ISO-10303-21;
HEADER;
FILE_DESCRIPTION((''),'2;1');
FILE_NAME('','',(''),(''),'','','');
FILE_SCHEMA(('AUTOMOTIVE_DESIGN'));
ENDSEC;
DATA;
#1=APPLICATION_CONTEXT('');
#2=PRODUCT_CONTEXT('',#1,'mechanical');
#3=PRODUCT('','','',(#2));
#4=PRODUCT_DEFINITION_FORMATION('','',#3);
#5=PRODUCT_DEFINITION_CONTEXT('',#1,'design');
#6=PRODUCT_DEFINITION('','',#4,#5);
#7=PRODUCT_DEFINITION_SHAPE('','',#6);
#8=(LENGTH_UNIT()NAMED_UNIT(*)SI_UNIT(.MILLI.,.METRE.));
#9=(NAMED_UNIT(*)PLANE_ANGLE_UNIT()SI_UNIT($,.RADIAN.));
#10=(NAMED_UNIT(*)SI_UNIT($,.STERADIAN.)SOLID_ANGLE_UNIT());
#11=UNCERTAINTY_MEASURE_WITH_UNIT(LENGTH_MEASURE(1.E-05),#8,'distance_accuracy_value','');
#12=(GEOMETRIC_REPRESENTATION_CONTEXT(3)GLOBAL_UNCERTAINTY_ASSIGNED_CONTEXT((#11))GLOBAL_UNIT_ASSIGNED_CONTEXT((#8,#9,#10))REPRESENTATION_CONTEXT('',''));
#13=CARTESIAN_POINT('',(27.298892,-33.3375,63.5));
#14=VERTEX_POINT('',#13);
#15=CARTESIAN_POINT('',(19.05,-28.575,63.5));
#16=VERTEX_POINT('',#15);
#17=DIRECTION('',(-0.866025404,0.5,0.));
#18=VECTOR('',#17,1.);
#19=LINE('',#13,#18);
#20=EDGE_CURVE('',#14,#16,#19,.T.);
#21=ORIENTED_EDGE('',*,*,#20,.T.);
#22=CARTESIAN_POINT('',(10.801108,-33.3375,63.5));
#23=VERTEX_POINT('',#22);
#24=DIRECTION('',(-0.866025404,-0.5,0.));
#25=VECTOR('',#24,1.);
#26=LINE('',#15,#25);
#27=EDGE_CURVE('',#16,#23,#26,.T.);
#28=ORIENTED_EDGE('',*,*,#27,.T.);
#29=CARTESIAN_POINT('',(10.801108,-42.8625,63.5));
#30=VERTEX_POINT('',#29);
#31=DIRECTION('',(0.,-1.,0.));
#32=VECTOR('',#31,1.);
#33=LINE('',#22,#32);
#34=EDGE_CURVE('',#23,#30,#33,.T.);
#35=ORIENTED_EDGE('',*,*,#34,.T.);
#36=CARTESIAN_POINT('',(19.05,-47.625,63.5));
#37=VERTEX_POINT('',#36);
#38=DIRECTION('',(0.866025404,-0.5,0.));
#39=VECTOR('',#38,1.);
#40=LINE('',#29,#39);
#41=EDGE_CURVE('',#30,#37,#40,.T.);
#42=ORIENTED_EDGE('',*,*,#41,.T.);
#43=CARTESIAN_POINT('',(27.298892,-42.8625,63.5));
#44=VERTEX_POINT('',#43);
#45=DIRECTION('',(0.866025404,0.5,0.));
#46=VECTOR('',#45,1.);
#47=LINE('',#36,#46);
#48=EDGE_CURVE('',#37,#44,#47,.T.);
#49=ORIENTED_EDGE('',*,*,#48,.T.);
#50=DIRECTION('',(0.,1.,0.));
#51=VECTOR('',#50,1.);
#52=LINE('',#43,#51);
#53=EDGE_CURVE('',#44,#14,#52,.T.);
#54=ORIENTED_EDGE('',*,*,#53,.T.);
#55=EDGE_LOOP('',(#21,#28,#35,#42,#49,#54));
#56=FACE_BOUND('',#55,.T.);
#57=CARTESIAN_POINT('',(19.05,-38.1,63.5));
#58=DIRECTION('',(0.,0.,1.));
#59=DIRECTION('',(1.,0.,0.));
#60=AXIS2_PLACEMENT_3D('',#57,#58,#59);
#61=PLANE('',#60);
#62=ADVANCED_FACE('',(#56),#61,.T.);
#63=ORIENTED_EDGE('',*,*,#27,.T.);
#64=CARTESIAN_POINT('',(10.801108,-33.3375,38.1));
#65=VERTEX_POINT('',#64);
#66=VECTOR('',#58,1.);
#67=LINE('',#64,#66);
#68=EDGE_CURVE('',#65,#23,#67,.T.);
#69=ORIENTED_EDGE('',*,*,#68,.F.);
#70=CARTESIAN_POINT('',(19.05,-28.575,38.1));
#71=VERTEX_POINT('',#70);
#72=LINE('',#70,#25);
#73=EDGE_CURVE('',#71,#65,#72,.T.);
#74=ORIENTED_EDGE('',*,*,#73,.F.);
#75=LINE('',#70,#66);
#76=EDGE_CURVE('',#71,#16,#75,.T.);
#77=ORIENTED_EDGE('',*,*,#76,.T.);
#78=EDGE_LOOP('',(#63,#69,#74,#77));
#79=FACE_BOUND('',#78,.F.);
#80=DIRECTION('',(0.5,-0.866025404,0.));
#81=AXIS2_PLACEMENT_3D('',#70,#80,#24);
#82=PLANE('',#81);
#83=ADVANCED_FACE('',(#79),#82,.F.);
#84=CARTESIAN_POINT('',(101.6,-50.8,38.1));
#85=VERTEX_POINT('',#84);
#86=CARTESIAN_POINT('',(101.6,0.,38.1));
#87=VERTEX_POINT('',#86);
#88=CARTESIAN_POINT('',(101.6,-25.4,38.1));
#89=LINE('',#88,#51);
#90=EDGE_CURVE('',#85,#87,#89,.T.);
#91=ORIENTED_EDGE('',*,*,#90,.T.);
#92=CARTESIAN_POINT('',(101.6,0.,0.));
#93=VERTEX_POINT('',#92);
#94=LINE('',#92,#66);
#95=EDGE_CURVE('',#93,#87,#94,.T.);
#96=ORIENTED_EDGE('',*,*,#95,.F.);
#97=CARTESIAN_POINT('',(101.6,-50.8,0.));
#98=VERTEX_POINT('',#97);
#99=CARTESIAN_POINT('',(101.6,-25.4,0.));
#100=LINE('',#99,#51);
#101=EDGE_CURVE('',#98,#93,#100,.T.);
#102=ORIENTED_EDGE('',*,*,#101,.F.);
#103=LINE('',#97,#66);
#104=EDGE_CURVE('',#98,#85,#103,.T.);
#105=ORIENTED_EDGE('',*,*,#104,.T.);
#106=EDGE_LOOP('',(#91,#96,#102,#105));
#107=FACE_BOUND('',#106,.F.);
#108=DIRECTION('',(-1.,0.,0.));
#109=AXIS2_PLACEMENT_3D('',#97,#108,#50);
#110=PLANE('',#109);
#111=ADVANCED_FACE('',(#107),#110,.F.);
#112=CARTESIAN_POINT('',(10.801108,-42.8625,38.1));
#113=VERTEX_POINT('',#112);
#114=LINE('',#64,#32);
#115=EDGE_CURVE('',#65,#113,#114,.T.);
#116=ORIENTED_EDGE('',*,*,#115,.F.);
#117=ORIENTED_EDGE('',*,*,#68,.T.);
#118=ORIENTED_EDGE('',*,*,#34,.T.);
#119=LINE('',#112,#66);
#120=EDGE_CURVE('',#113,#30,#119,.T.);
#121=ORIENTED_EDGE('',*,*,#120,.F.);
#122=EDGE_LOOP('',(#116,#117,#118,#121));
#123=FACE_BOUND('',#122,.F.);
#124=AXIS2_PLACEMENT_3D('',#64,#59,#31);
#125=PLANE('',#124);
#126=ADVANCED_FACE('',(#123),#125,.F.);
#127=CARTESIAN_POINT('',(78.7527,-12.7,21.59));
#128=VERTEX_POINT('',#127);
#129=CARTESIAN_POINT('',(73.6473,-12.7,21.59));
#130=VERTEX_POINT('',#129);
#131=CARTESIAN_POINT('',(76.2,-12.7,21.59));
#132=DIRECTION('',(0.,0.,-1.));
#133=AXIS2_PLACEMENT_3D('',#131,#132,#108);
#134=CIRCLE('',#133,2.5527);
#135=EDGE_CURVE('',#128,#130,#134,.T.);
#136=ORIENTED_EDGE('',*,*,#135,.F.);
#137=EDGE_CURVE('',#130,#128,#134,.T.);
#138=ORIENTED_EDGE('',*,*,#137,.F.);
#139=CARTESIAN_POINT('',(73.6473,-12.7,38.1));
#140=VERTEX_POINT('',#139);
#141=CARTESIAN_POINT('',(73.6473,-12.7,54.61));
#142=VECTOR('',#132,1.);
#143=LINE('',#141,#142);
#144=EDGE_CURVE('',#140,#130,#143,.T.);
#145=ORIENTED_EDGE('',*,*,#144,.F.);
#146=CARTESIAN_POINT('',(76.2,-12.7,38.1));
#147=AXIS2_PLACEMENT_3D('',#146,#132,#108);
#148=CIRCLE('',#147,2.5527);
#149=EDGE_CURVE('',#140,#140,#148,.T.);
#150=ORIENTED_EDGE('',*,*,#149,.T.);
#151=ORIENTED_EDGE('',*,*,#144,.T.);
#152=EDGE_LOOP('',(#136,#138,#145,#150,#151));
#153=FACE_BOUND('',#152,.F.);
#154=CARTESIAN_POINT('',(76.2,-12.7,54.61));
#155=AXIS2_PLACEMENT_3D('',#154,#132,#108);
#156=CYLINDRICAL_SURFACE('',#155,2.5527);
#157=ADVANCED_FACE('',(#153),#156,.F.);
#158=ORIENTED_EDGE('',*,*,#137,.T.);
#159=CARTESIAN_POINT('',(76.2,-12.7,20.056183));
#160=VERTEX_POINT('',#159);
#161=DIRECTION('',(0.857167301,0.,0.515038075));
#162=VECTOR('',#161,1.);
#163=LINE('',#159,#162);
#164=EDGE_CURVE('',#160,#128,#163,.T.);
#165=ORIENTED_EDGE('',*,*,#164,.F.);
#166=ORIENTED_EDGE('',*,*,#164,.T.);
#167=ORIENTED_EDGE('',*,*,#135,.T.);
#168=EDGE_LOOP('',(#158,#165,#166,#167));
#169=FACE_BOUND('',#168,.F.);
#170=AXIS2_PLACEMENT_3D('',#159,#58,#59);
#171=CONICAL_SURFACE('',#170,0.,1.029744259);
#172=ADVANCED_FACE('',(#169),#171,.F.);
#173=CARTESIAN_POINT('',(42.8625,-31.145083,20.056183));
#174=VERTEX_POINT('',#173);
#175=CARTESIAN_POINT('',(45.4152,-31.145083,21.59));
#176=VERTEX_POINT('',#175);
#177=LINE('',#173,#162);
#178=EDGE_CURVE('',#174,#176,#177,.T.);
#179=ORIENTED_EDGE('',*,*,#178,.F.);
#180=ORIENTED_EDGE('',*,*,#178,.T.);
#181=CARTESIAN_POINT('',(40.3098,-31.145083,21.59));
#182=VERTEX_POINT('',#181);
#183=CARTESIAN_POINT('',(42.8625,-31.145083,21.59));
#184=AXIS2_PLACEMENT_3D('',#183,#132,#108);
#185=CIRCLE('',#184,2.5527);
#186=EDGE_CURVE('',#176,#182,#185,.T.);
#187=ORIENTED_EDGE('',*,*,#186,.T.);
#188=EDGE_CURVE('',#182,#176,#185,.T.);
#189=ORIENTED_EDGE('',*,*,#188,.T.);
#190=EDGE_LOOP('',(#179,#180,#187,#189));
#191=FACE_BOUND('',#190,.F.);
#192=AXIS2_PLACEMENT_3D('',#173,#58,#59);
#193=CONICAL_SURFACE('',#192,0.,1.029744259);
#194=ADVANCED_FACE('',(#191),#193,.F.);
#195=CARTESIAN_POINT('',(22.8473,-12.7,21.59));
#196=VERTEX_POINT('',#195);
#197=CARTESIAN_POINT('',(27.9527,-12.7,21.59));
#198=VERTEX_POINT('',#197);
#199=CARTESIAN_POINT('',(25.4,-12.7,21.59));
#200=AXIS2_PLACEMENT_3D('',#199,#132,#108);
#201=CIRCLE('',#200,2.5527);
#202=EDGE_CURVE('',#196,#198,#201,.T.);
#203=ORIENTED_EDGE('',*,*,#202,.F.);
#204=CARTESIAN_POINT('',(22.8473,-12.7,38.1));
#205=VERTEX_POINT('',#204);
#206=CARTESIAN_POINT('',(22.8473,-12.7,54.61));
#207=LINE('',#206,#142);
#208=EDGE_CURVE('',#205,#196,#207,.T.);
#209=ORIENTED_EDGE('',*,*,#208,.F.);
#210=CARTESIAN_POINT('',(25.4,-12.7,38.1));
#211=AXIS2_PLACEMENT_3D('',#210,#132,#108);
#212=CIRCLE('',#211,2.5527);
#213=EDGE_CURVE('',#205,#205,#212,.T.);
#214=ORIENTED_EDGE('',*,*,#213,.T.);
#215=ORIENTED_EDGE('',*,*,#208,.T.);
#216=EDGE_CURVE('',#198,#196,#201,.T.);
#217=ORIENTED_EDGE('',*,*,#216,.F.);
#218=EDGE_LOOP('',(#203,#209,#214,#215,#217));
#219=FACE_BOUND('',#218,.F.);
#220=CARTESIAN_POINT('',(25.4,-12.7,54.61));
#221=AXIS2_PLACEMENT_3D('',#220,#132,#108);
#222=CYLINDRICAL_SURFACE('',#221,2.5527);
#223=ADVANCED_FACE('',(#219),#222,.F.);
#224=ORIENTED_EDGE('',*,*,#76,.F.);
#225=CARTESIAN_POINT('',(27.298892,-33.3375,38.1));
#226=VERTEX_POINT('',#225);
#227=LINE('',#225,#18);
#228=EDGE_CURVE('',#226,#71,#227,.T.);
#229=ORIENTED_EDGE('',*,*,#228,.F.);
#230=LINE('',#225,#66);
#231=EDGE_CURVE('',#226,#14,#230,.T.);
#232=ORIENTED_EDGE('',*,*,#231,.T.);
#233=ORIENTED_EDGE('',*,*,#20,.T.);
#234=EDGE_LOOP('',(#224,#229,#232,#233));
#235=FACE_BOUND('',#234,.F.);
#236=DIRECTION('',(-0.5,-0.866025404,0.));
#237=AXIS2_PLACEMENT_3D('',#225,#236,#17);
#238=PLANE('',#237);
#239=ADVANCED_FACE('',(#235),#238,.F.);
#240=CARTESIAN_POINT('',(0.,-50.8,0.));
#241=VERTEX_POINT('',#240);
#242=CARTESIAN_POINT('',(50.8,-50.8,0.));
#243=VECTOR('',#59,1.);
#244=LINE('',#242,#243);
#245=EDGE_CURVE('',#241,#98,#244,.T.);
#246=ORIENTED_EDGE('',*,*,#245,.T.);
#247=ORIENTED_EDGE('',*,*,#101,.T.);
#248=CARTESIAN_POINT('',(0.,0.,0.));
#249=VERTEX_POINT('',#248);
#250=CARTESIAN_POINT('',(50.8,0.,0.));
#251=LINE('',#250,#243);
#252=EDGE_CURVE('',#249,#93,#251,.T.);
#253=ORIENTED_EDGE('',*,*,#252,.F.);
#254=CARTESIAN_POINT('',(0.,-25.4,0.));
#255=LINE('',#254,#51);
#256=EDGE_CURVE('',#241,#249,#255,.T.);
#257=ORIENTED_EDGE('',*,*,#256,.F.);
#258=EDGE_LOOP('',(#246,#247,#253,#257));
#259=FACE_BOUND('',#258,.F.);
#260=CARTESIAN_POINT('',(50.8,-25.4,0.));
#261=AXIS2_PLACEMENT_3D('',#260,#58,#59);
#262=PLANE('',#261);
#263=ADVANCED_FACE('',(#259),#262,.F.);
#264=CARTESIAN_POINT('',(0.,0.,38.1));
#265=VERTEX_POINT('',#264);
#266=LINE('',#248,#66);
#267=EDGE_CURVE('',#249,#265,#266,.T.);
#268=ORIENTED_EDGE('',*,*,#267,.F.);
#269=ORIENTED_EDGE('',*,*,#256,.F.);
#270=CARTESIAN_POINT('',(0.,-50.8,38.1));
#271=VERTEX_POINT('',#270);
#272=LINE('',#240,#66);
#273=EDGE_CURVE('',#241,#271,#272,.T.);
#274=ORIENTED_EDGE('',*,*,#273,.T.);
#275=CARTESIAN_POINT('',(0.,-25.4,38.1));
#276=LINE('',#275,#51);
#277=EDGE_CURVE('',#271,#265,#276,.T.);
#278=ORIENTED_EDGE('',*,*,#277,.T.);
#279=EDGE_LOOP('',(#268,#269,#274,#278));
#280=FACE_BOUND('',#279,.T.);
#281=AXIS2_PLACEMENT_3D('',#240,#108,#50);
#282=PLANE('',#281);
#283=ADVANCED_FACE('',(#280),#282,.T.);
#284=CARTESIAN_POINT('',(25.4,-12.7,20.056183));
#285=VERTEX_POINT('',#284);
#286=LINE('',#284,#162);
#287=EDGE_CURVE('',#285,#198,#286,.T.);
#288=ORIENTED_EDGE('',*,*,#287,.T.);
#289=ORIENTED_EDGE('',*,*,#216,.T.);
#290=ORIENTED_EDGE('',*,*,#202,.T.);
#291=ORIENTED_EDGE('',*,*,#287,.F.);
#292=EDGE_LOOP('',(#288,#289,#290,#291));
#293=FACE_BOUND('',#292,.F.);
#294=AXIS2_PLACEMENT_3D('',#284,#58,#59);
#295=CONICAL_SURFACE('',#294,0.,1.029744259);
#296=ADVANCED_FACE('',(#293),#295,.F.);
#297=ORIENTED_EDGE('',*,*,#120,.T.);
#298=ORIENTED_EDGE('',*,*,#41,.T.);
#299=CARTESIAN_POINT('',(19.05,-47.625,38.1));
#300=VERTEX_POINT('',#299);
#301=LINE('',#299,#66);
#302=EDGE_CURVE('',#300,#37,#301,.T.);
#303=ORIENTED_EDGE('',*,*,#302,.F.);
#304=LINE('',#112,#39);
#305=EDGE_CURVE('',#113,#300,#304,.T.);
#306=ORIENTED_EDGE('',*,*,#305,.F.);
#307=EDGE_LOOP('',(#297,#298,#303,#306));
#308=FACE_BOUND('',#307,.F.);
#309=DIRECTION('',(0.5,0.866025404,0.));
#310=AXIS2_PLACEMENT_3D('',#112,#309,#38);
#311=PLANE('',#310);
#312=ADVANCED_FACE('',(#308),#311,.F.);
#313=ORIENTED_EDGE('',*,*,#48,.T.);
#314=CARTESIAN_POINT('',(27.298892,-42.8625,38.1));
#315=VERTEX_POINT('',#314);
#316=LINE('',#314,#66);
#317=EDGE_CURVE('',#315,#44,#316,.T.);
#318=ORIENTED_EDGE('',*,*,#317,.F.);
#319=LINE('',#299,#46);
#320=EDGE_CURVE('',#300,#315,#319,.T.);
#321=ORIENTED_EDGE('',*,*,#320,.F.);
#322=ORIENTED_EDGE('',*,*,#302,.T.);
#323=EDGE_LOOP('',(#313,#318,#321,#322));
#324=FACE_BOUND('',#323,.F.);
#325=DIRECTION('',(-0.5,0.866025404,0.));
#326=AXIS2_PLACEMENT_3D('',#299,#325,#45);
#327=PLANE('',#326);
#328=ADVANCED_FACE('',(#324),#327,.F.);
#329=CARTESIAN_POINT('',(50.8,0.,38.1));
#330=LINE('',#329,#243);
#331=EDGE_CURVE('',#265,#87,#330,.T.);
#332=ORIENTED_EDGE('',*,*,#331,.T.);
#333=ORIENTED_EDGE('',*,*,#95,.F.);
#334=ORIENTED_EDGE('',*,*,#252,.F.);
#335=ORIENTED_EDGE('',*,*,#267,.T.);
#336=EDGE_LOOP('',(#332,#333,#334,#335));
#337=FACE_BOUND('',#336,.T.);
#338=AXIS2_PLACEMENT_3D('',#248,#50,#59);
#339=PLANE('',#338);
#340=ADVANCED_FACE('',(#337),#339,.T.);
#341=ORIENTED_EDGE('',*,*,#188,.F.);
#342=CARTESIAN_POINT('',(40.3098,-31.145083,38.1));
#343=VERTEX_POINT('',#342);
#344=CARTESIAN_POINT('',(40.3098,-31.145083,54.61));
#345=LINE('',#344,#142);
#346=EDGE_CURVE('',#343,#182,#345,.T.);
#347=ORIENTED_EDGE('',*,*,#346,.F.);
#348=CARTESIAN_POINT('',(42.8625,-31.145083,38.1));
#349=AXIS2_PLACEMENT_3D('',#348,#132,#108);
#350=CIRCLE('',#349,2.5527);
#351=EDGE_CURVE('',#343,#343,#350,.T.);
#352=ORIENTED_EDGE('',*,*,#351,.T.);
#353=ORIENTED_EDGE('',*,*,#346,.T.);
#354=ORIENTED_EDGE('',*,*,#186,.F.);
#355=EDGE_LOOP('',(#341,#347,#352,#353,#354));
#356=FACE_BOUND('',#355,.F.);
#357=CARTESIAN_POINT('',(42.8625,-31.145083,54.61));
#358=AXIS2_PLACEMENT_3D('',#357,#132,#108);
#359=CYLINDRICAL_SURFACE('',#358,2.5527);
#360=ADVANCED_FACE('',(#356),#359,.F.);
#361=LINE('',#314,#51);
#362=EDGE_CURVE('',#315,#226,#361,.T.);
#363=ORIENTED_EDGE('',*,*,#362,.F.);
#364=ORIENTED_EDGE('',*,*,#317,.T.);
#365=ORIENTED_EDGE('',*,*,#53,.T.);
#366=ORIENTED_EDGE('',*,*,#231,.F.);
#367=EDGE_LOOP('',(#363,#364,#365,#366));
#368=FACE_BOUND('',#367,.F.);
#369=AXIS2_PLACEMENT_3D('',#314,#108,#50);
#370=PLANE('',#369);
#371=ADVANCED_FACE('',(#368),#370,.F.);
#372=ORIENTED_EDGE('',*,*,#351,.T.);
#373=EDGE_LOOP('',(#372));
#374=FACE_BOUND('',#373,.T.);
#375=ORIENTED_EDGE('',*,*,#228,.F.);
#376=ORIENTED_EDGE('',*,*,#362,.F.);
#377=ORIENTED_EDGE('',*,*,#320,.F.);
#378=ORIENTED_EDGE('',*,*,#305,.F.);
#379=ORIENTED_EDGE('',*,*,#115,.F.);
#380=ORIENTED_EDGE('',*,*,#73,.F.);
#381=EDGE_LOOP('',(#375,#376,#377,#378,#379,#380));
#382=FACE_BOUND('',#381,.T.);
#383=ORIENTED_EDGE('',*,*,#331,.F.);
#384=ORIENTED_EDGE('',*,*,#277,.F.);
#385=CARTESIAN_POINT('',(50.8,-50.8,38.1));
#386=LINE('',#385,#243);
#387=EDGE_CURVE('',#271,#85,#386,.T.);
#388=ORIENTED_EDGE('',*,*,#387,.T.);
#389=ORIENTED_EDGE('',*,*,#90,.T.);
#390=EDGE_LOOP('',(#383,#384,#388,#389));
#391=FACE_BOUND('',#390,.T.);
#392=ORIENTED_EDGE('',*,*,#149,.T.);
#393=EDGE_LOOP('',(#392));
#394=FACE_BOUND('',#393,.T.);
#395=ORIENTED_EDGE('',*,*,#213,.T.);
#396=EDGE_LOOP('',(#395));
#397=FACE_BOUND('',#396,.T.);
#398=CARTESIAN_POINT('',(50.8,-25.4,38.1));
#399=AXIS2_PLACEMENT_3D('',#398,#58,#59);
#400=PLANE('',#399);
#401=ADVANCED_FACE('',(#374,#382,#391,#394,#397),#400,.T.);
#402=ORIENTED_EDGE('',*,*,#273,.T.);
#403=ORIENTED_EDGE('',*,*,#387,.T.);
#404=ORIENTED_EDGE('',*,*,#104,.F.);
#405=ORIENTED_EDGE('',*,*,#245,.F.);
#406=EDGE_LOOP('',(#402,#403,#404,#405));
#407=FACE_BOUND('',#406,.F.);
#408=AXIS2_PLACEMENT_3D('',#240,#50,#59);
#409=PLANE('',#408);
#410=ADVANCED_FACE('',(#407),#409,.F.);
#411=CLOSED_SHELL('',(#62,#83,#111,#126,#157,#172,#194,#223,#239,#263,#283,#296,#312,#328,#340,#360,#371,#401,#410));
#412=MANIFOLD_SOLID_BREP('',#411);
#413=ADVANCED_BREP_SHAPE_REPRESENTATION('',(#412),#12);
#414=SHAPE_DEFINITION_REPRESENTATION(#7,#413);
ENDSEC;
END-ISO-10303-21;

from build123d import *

# Parameters (mm, degrees)
F0_W     = 101.6
F0_H     = 50.8
F1_DEPTH = 38.1
F3_D     = 5.1054
F3_DEPTH = 16.51
F3_TIP   = 1.5338169022
F5_DEPTH = 25.4


with BuildPart() as f1:
    # F0 (on Top) → F1 (new body)
    with BuildSketch(Plane.XY):
        with Locations((50.8, -25.4)):
            Rectangle(F0_W, F0_H)
    extrude(amount=F1_DEPTH)

    # F3
    with Locations(Plane.XY.offset(38.1)):
        with Locations((25.4, -12.7), (42.8625, -31.1450831863), (76.2, -12.7)):
            Hole(F3_D / 2, depth=F3_DEPTH)
            with Locations((0, 0, -(F3_DEPTH + F3_TIP / 2))):  # 118° drill point
                Cone(0, F3_D / 2, F3_TIP, mode=Mode.SUBTRACT)

    # F4 (on face) → F5 (join)
    with BuildSketch(Plane.XY.offset(38.1)):
        Polygon((19.05, -47.625), (27.298891971, -42.8625), (27.298891971, -33.3375), (19.05, -28.575), (10.801108029, -33.3375), (10.801108029, -42.8625), align=None)
    extrude(amount=F5_DEPTH)


solid = f1.part
